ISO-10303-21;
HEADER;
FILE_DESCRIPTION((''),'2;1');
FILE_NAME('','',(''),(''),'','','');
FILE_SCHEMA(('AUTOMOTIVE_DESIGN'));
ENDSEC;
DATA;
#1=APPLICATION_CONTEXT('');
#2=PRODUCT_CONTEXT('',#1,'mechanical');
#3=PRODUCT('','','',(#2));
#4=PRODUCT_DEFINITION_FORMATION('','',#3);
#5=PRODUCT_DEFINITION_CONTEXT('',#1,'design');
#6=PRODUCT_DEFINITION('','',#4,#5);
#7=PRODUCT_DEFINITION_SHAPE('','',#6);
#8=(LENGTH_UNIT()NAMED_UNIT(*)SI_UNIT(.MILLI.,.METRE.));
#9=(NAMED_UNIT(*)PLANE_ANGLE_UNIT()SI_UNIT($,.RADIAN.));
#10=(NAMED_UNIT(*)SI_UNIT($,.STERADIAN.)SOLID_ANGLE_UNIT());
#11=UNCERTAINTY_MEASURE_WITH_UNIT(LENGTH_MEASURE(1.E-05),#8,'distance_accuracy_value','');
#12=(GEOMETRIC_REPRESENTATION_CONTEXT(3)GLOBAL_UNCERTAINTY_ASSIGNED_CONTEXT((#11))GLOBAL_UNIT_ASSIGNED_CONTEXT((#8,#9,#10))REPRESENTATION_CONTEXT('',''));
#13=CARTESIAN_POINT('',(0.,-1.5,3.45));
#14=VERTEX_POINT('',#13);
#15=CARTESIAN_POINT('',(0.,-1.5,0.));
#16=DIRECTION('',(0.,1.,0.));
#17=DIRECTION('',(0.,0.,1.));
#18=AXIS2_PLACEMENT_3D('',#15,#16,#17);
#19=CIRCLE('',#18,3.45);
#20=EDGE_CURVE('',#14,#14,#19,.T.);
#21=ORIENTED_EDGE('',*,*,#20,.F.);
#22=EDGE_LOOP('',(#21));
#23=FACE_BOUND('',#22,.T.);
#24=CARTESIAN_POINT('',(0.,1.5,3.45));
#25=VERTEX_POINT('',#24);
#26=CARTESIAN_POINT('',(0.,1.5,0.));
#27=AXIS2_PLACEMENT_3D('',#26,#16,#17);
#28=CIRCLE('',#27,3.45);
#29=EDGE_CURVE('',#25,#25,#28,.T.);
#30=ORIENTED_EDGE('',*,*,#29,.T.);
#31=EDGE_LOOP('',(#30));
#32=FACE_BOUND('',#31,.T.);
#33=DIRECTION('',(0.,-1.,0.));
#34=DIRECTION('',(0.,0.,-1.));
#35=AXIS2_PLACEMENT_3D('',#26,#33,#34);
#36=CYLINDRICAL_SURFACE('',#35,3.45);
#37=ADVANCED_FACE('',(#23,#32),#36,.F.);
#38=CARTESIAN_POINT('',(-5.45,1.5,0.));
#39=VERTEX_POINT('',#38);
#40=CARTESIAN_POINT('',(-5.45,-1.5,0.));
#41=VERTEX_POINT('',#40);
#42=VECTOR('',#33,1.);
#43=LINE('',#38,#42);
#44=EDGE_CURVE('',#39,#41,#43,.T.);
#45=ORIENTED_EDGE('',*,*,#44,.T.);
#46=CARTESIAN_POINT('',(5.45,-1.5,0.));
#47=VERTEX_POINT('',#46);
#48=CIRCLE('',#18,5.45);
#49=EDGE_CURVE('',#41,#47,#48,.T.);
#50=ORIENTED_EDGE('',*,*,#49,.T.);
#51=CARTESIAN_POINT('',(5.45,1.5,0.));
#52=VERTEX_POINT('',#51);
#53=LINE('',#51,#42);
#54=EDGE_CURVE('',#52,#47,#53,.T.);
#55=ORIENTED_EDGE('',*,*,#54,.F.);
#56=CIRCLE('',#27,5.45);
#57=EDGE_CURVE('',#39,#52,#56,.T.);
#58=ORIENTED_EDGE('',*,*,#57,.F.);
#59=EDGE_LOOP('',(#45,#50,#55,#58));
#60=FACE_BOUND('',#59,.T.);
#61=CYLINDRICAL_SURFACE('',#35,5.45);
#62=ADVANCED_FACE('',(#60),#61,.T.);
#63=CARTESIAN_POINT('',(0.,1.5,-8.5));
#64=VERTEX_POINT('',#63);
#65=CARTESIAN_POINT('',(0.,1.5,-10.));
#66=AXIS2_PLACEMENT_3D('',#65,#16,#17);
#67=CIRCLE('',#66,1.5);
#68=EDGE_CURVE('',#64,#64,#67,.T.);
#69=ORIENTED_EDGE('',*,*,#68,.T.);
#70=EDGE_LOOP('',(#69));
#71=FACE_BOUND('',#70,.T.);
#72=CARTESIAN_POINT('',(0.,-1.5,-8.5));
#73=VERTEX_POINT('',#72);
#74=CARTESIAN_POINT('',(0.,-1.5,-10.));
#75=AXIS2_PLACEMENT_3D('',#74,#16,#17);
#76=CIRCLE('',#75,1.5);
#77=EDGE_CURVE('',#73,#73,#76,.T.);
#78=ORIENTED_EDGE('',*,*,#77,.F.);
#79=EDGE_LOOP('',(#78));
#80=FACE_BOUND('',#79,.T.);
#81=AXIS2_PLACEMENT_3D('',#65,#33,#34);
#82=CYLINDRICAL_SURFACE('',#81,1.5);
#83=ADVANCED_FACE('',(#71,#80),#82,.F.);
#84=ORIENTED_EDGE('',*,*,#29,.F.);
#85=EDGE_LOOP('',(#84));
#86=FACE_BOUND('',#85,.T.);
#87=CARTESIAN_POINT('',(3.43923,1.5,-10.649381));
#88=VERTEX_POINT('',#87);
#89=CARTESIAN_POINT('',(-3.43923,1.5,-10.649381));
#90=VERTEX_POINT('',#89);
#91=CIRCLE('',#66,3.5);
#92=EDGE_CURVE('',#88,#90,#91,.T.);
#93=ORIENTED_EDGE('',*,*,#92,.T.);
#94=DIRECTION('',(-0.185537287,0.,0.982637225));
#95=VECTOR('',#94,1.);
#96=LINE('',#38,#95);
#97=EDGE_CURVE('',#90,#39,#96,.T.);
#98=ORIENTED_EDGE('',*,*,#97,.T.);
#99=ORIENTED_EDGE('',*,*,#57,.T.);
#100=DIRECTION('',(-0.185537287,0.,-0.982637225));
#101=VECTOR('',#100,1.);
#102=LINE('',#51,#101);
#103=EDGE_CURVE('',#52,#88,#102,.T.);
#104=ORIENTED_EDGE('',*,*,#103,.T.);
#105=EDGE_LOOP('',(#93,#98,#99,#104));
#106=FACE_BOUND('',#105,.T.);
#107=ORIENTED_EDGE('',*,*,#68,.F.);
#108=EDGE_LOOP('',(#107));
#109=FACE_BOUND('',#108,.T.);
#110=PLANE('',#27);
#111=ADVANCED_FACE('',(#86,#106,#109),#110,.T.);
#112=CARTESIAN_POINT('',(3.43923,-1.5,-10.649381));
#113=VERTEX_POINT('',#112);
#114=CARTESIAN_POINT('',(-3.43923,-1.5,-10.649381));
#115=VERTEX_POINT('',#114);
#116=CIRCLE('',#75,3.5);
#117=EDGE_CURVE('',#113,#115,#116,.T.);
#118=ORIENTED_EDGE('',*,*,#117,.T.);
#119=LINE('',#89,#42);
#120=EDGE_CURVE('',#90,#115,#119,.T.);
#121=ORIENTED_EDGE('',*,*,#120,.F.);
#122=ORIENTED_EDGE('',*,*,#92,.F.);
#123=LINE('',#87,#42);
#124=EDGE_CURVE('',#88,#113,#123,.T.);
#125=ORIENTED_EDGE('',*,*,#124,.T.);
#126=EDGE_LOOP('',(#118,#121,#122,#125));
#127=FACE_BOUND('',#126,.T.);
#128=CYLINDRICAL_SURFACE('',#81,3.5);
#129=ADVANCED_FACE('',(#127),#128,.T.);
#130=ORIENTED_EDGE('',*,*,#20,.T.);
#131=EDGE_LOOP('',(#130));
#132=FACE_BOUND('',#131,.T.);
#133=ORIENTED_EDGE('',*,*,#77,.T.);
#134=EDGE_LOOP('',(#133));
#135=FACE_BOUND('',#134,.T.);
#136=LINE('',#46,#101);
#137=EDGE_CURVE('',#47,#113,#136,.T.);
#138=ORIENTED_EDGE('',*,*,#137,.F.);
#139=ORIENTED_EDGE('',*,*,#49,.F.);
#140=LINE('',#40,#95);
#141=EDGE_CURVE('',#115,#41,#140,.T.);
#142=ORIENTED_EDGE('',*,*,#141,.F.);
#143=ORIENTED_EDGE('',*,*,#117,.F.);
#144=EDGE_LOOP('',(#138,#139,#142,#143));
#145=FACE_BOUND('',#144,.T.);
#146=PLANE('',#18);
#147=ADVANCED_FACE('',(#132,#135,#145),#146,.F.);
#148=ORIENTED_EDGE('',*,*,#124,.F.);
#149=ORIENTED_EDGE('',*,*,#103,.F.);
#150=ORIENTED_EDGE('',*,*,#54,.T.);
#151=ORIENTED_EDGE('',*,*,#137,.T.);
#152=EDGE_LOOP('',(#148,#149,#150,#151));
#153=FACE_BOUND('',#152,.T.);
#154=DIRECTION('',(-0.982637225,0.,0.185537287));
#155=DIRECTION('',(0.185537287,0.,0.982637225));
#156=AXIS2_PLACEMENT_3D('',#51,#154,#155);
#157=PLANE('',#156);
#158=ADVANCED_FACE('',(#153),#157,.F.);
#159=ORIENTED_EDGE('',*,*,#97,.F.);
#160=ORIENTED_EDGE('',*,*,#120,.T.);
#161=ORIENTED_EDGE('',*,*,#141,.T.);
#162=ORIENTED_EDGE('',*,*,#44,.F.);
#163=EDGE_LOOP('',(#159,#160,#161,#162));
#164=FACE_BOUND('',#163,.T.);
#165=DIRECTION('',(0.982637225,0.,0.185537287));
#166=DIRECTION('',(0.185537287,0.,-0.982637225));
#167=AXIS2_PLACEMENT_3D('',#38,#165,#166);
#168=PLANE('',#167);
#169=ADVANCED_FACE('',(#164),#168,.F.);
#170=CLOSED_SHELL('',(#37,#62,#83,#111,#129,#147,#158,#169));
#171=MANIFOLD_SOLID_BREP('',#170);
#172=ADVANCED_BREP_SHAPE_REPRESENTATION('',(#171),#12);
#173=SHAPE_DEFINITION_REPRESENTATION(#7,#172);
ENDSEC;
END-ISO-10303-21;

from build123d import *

# Parameters (mm, degrees)
SKETCH1_R           = 3.45
SKETCH1_R_2         = 1.5
BOSS_EXTRUDE1_DEPTH = 1.5


with BuildPart() as part:
    # Sketch1 → Boss-Extrude1 (new body, symmetric)
    with BuildSketch(Plane(origin=(0, 0, 0), x_dir=(1, 0, 0), z_dir=(0, 1, 0))):
        with BuildLine():
            Line((-5.45, 0), (-3.439230286, 10.649380506))
            ThreePointArc((-3.439230286, 10.649380506), (0, 13.5), (3.439230286, 10.649380506))
            Line((3.439230286, 10.649380506), (5.45, 0))
            ThreePointArc((5.45, 0), (0, -5.45), (-5.45, 0))
        make_face()
        Circle(SKETCH1_R, mode=Mode.SUBTRACT)
        with Locations((0, 10)):
            Circle(SKETCH1_R_2, mode=Mode.SUBTRACT)
    extrude(amount=BOSS_EXTRUDE1_DEPTH, both=True)


solid = part.part
